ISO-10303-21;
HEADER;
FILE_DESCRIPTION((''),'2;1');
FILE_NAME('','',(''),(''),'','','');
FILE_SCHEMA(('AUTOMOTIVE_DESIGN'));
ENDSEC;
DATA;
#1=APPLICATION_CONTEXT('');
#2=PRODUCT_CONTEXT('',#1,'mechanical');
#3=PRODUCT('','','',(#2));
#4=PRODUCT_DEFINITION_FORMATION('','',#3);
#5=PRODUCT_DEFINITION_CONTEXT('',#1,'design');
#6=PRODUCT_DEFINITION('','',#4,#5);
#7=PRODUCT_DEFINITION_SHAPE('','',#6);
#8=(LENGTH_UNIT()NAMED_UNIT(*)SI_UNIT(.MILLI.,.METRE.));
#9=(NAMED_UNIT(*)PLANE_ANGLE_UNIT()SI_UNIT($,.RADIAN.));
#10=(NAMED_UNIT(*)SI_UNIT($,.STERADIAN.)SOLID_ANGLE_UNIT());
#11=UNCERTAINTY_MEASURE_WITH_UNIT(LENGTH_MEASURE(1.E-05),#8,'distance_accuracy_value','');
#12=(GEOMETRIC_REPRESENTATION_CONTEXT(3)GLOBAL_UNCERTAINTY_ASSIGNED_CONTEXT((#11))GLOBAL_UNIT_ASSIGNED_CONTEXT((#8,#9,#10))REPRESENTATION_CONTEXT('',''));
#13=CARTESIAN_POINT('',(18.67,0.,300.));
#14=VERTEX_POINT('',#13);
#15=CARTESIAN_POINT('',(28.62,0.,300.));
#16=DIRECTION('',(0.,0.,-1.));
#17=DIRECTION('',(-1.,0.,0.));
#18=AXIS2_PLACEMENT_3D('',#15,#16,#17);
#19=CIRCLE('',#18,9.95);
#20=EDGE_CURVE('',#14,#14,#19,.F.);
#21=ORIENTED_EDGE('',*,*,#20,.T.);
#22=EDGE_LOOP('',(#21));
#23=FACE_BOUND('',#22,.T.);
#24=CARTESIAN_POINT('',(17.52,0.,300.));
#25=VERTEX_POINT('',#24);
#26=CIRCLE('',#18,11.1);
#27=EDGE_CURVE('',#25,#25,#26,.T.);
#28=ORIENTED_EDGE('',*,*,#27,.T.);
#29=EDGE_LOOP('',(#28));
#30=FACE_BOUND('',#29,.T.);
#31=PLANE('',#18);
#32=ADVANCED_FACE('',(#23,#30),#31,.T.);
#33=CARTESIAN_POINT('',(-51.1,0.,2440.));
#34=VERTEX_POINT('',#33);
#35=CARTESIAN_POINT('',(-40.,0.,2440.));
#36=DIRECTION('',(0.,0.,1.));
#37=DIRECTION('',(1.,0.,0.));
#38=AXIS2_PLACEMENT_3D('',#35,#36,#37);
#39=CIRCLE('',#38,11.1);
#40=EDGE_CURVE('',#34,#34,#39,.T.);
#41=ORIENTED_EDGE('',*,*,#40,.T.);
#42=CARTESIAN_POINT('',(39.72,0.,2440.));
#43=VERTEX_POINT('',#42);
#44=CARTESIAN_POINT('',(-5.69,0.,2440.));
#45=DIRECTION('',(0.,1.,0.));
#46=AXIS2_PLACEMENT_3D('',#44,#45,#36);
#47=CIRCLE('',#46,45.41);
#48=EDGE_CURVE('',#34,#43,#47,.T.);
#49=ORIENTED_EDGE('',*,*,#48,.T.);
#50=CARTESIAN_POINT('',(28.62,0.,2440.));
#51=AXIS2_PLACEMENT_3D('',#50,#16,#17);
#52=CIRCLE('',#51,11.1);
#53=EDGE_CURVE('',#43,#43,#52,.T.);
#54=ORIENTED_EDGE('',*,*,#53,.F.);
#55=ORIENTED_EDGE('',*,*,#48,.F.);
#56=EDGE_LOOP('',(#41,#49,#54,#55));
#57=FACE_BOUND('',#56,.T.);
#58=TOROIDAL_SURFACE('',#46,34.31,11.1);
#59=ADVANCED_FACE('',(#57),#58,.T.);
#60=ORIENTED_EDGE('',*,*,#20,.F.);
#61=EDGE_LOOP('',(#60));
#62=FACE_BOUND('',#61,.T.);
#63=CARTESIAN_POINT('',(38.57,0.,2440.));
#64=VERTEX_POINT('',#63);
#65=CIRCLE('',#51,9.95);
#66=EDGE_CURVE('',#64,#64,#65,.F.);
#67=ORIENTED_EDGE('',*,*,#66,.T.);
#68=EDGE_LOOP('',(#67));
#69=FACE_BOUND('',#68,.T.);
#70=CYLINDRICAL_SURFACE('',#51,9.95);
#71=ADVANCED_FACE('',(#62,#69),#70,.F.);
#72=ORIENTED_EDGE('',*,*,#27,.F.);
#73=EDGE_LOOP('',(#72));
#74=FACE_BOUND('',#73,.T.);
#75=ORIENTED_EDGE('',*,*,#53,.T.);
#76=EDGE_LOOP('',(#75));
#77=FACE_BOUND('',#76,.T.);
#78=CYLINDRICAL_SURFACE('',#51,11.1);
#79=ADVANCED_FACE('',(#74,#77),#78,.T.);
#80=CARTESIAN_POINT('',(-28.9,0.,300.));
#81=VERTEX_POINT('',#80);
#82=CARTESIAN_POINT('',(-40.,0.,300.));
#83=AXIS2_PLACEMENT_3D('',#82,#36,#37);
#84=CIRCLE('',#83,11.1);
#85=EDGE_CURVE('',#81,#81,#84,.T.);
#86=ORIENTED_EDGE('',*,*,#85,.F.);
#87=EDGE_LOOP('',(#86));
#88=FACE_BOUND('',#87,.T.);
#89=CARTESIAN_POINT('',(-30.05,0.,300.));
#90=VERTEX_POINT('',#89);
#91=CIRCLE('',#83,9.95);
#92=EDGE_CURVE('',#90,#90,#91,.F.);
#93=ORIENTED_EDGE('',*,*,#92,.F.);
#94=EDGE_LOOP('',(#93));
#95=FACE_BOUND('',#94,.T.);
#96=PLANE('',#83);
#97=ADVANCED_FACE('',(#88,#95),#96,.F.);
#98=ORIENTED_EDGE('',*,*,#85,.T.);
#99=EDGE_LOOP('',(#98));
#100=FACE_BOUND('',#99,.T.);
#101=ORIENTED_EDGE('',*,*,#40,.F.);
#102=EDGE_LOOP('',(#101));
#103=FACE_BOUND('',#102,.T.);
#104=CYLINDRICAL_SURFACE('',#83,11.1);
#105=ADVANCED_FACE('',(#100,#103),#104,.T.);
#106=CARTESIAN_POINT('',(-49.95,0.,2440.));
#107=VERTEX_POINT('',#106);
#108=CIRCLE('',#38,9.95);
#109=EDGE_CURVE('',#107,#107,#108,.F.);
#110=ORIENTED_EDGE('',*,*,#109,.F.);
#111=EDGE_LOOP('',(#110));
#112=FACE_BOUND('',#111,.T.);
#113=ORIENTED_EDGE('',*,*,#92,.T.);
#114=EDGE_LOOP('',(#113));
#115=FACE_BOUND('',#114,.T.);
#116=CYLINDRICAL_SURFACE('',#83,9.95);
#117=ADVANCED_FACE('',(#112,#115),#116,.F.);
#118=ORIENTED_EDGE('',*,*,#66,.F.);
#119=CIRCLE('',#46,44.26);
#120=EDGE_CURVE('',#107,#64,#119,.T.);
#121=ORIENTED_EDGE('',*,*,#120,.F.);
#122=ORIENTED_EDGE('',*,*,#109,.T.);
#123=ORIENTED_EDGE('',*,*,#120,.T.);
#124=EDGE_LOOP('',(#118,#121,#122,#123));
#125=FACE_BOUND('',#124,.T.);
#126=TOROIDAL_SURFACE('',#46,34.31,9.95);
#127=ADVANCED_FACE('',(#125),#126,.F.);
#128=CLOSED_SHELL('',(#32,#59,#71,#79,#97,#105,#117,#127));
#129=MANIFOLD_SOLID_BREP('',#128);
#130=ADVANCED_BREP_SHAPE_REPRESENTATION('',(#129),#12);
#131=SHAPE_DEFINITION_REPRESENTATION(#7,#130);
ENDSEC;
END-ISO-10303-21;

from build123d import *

# Parameters (mm, degrees)
SKETCH2_R   = 11.1
SKETCH2_R_2 = 9.95


with BuildPart() as part:
    # Sweep1: sweep along a path in Sketch1
    with BuildLine(Plane(origin=(0, 0, 0), x_dir=(1, 0, 0), z_dir=(0, 1, 0))) as sweep1_path:
        Line((28.62, -300), (28.62, -2440))
        ThreePointArc((28.62, -2440), (-5.69, -2474.31), (-40, -2440))
        Line((-40, -2440), (-40, -300))
    # Sketch2 → Sweep1 (sweep)
    with BuildSketch(Plane(origin=(28.62, 0, 300), x_dir=(-1, 0, 0), z_dir=(0, 0, -1))):
        Circle(SKETCH2_R)
        Circle(SKETCH2_R_2, mode=Mode.SUBTRACT)
    sweep(path=sweep1_path.line)


solid = part.part
